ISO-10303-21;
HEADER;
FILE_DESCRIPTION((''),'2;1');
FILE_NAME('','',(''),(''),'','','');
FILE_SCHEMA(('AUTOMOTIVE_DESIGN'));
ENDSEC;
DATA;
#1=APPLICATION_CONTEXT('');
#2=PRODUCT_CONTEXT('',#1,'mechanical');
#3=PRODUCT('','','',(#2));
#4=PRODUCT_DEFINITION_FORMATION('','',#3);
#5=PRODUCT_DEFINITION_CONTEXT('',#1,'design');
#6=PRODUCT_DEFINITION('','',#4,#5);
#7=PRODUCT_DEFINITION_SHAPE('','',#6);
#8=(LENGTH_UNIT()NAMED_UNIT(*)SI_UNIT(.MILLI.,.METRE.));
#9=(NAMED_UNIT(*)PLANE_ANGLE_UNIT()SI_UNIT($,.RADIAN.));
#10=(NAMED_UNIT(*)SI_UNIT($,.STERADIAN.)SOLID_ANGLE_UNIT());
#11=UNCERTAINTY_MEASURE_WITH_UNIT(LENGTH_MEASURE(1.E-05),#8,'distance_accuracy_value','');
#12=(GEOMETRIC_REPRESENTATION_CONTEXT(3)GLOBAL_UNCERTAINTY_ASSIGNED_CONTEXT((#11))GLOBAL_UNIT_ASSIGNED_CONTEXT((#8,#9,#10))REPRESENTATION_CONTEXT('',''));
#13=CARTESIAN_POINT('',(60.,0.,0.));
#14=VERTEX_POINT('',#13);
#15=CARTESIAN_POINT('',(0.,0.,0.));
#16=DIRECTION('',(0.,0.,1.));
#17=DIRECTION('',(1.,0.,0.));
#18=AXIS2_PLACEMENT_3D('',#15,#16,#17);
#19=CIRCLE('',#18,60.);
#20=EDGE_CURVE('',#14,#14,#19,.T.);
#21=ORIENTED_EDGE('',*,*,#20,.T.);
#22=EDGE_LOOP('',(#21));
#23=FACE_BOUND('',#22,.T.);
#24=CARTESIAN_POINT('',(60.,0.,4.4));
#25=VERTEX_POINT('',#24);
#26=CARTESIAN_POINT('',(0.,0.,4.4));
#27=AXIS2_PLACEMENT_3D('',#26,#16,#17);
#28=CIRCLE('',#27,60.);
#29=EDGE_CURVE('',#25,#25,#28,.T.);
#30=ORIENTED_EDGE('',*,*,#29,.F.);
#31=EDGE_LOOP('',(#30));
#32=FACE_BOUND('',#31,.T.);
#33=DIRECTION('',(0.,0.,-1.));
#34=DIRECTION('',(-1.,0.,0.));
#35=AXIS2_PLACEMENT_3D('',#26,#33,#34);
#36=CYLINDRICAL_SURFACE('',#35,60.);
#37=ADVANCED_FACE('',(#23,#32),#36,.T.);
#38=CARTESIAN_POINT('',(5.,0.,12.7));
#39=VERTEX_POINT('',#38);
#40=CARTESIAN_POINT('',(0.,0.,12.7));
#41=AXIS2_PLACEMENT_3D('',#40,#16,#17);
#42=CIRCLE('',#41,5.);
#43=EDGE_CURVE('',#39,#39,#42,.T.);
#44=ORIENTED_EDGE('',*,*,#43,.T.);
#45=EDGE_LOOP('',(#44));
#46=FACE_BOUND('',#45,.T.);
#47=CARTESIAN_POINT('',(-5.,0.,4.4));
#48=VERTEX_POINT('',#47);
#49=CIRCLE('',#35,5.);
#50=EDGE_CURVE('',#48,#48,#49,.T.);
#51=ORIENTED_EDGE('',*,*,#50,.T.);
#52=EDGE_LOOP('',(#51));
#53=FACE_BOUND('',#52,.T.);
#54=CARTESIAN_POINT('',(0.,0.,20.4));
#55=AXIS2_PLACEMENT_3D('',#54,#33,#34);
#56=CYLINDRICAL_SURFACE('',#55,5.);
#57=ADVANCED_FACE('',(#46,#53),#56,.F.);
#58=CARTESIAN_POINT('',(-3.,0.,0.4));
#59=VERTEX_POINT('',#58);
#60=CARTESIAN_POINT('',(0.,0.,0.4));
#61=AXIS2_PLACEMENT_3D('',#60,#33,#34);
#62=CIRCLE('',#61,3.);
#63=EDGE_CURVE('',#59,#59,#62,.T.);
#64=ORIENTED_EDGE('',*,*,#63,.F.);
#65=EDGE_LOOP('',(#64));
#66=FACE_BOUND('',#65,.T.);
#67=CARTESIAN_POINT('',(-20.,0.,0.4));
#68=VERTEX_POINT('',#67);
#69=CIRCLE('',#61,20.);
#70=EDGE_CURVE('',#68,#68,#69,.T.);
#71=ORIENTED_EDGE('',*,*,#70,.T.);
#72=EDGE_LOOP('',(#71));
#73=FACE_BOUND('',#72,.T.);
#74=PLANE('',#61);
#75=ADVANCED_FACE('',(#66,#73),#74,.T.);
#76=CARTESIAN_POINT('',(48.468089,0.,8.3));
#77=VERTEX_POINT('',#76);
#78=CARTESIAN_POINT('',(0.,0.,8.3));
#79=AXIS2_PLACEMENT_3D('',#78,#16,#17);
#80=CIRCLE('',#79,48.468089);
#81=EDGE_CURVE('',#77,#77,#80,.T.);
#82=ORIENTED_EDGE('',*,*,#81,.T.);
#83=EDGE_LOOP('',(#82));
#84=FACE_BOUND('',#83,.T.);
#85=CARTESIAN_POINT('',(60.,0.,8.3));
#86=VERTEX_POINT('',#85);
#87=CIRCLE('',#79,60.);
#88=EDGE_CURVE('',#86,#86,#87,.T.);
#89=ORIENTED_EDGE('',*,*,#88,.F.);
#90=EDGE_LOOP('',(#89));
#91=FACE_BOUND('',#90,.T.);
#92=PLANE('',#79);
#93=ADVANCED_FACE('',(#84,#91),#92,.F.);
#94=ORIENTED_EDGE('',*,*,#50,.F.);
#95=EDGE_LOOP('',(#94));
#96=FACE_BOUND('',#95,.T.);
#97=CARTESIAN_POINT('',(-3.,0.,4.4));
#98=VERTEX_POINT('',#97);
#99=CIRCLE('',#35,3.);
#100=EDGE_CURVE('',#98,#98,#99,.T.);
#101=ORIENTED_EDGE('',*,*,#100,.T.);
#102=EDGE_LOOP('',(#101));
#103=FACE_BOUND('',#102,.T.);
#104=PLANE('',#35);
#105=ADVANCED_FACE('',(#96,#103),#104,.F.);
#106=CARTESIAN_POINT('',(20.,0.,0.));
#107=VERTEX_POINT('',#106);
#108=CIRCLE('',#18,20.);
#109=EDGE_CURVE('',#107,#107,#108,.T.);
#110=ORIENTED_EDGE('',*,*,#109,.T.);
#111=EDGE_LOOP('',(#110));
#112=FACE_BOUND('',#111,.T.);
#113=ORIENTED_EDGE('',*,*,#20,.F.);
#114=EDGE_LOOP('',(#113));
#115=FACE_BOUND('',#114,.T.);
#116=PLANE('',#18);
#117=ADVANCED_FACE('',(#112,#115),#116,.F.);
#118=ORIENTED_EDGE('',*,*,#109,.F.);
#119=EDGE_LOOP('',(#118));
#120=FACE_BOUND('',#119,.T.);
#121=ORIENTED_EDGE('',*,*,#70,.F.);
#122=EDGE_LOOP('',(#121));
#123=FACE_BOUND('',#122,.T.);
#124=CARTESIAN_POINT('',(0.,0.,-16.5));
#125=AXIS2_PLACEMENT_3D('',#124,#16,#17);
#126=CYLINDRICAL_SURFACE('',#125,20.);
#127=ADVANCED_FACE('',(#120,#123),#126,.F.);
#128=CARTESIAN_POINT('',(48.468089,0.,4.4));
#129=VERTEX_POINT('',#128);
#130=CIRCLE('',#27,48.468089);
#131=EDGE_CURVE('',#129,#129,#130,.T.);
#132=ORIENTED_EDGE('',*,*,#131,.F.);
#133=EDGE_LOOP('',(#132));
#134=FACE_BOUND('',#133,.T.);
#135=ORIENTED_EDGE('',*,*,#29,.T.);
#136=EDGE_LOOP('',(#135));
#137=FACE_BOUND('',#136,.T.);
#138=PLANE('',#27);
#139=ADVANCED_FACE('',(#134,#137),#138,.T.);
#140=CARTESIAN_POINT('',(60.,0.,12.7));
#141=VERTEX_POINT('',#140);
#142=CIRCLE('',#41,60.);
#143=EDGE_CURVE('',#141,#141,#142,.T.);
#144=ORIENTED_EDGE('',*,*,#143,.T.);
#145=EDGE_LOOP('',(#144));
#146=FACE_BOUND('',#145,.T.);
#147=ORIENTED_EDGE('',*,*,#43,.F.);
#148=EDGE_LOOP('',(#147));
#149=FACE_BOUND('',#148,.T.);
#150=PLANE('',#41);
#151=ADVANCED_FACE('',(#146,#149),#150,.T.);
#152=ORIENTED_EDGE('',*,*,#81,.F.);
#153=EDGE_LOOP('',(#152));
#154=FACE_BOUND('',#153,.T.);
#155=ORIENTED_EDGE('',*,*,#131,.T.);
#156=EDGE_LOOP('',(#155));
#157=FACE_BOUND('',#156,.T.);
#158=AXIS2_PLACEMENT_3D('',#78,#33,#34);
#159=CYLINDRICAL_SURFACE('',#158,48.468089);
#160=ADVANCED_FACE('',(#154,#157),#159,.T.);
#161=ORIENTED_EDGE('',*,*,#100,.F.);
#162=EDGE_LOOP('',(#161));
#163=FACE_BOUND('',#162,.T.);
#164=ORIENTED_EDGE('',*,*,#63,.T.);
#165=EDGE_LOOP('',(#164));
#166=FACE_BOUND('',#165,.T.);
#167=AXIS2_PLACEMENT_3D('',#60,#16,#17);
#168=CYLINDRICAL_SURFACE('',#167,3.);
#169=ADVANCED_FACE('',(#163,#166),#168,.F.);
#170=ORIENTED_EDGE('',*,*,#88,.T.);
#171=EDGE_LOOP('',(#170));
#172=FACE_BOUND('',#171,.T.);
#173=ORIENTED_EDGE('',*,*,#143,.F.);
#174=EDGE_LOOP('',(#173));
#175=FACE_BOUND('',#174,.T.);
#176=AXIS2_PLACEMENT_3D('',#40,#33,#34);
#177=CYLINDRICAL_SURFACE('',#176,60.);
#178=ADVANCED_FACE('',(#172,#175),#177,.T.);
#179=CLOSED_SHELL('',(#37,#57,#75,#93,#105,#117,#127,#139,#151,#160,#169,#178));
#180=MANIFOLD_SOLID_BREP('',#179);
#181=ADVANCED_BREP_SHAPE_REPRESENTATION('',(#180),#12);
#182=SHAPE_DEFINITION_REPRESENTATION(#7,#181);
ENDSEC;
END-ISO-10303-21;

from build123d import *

# Parameters (mm, degrees)
SKETCH1_R           = 60
BOSS_EXTRUDE2_DEPTH = 4.4
SKETCH2_R           = 20
CUT_EXTRUDE1_DEPTH  = 20.9
SKETCH3_R           = 48.468089367
BOSS_EXTRUDE3_DEPTH = 3.9
SKETCH4_R           = 60
BOSS_EXTRUDE4_DEPTH = 4.4
SKETCH5_R           = 20
SKETCH5_R_2         = 3
BOSS_EXTRUDE5_DEPTH = 4
SKETCH7_R           = 5
CUT_EXTRUDE4_DEPTH  = 16


with BuildPart() as part:
    # Sketch1 → Boss-Extrude2 (new body)
    with BuildSketch(Plane.XY):
        Circle(SKETCH1_R)
    extrude(amount=BOSS_EXTRUDE2_DEPTH)

    # Sketch2 → Cut-Extrude1 (cut)
    with BuildSketch(Plane.XY.offset(4.4)):
        Circle(SKETCH2_R)
    extrude(amount=-CUT_EXTRUDE1_DEPTH, mode=Mode.SUBTRACT)

    # Sketch3 → Boss-Extrude3 (add)
    with BuildSketch(Plane.XY.offset(4.4)):
        Circle(SKETCH3_R)
    extrude(amount=BOSS_EXTRUDE3_DEPTH)

    # Sketch4 → Boss-Extrude4 (add)
    with BuildSketch(Plane.XY.offset(8.3)):
        Circle(SKETCH4_R)
    extrude(amount=BOSS_EXTRUDE4_DEPTH)

    # Sketch5 → Boss-Extrude5 (add)
    with BuildSketch(Plane(origin=(0, 0, 4.4), x_dir=(-1, 0, 0), z_dir=(0, 0, -1))):
        with Locations(Location((0, 0, 0), (0, 0, 180))):
            Circle(SKETCH5_R)
        Circle(SKETCH5_R_2, mode=Mode.SUBTRACT)
    extrude(amount=BOSS_EXTRUDE5_DEPTH)

    # Sketch7 → Cut-Extrude4 (cut)
    with BuildSketch(Plane(origin=(0, 0, 4.4), x_dir=(-1, 0, 0), z_dir=(0, 0, -1))):
        Circle(SKETCH7_R)
    extrude(amount=-CUT_EXTRUDE4_DEPTH, mode=Mode.SUBTRACT)


solid = part.part
